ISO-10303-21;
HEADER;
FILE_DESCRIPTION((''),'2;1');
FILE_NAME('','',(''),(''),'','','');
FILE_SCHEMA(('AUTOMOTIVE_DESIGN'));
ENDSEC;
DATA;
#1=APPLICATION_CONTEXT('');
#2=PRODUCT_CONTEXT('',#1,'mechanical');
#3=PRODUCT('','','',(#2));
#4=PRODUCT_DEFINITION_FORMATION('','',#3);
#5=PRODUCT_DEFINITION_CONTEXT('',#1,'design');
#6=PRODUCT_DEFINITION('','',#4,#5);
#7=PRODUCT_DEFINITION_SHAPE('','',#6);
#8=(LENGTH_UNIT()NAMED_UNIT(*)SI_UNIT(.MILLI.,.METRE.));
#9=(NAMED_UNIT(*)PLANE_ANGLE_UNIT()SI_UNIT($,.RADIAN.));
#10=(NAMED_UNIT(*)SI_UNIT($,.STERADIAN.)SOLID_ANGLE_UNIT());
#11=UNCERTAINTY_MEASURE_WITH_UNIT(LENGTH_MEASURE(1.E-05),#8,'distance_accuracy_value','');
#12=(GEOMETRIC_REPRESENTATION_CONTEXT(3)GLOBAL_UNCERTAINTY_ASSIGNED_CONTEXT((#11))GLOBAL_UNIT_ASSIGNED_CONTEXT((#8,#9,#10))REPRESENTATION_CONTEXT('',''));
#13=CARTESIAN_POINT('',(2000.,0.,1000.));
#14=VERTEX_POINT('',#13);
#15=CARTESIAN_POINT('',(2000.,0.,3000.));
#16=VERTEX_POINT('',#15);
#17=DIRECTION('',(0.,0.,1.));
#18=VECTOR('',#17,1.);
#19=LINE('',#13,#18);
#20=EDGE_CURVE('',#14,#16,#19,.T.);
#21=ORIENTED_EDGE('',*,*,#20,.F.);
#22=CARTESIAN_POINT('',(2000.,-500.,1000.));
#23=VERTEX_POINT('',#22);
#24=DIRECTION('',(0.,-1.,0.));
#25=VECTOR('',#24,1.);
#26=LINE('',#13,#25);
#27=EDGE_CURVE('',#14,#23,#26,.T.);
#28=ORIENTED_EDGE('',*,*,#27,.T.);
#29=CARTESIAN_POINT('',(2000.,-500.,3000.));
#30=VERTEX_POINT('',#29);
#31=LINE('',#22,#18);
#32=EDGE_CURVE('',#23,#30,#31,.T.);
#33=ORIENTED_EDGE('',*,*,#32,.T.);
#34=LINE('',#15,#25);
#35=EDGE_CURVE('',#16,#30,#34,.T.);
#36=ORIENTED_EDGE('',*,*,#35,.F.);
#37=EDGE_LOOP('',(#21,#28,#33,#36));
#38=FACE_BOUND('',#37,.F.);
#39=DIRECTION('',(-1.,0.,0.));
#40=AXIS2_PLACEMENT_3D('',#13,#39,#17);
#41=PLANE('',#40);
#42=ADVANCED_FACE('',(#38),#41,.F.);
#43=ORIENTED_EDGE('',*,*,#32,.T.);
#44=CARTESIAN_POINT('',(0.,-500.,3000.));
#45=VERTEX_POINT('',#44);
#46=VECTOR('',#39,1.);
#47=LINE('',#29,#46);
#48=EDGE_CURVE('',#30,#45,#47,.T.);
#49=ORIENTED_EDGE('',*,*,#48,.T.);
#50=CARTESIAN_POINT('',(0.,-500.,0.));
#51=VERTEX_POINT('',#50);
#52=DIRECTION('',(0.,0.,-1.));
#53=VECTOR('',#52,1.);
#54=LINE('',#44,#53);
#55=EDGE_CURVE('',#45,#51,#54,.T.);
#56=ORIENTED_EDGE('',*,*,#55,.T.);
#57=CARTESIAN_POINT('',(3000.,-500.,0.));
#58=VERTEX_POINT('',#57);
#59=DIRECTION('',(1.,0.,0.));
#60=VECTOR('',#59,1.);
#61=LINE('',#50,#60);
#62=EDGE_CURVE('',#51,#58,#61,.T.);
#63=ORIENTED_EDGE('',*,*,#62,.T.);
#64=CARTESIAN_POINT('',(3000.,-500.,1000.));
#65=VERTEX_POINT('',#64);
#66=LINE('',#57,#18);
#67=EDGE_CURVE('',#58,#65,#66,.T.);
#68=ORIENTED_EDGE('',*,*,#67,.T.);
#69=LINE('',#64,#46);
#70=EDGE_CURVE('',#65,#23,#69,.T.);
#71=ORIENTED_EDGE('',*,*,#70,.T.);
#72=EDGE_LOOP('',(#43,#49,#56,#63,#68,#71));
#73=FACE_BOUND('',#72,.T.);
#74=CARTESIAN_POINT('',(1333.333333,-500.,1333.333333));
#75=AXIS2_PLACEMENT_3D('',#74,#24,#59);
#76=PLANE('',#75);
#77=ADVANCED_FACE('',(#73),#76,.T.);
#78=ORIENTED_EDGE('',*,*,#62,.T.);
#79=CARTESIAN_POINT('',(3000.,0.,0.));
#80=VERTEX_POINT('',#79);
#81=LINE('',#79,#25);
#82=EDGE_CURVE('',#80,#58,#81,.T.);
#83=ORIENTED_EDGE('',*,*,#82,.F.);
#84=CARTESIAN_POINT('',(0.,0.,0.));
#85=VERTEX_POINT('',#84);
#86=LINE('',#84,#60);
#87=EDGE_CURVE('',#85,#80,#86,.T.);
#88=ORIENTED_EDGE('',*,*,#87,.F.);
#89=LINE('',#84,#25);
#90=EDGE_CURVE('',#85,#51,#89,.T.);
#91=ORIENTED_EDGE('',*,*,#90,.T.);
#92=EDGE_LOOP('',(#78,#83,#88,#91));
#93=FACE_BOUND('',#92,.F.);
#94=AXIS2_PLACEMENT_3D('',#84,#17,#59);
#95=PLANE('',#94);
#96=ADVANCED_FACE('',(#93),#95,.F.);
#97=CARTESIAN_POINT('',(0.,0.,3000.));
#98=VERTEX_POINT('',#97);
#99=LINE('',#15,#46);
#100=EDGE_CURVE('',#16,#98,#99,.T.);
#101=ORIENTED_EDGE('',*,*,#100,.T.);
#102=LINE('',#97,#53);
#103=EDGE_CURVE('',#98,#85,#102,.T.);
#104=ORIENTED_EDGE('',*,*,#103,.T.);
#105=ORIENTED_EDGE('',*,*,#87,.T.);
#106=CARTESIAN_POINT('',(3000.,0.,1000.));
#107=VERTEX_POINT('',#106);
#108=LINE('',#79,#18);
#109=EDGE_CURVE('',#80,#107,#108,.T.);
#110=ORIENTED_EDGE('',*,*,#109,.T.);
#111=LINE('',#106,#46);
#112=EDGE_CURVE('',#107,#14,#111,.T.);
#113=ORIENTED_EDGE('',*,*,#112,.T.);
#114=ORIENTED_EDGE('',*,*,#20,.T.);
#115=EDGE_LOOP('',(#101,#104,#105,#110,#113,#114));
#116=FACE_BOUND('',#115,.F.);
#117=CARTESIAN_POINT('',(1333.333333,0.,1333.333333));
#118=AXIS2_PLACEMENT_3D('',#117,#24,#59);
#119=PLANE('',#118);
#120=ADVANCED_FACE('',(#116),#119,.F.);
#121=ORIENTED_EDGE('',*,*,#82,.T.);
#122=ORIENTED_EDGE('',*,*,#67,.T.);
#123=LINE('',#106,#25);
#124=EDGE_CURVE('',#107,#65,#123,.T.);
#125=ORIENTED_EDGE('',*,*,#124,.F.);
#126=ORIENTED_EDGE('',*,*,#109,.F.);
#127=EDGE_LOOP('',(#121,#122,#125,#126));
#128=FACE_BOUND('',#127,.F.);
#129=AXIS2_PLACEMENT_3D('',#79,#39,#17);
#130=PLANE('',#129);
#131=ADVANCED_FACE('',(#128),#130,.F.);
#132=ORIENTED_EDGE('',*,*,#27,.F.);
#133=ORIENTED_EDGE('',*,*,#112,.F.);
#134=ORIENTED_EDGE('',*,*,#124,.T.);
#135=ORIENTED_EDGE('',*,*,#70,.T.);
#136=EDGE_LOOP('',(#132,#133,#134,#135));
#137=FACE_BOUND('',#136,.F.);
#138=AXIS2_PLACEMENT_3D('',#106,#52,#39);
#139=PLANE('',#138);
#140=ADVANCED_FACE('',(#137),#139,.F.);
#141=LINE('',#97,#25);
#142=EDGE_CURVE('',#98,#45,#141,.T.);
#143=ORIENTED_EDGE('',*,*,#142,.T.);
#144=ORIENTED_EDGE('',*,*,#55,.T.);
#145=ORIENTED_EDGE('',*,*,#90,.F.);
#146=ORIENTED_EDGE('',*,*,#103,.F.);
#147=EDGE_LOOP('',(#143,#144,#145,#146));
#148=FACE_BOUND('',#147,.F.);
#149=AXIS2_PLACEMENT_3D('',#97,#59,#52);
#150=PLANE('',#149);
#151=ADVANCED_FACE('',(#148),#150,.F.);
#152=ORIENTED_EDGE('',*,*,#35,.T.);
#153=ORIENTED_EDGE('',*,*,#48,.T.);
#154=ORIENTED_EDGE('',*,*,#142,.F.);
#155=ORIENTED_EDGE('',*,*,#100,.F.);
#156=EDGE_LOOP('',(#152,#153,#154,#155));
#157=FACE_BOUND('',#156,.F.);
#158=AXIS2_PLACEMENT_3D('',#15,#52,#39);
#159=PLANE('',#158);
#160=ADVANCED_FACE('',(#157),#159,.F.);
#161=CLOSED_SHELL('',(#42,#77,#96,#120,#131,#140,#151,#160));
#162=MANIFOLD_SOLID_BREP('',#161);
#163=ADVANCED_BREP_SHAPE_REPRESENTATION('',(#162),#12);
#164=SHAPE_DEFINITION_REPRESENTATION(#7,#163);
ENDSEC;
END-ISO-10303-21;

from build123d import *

# Parameters (mm, degrees)
PAD_DEPTH = 500


with BuildPart() as part:
    # Sketch → Pad (new body)
    with BuildSketch(Plane.XZ):
        Polygon((0, 0), (3000, 0), (3000, 1000), (2000, 1000), (2000, 3000), (0, 3000), align=None)
    extrude(amount=PAD_DEPTH)


solid = part.part
